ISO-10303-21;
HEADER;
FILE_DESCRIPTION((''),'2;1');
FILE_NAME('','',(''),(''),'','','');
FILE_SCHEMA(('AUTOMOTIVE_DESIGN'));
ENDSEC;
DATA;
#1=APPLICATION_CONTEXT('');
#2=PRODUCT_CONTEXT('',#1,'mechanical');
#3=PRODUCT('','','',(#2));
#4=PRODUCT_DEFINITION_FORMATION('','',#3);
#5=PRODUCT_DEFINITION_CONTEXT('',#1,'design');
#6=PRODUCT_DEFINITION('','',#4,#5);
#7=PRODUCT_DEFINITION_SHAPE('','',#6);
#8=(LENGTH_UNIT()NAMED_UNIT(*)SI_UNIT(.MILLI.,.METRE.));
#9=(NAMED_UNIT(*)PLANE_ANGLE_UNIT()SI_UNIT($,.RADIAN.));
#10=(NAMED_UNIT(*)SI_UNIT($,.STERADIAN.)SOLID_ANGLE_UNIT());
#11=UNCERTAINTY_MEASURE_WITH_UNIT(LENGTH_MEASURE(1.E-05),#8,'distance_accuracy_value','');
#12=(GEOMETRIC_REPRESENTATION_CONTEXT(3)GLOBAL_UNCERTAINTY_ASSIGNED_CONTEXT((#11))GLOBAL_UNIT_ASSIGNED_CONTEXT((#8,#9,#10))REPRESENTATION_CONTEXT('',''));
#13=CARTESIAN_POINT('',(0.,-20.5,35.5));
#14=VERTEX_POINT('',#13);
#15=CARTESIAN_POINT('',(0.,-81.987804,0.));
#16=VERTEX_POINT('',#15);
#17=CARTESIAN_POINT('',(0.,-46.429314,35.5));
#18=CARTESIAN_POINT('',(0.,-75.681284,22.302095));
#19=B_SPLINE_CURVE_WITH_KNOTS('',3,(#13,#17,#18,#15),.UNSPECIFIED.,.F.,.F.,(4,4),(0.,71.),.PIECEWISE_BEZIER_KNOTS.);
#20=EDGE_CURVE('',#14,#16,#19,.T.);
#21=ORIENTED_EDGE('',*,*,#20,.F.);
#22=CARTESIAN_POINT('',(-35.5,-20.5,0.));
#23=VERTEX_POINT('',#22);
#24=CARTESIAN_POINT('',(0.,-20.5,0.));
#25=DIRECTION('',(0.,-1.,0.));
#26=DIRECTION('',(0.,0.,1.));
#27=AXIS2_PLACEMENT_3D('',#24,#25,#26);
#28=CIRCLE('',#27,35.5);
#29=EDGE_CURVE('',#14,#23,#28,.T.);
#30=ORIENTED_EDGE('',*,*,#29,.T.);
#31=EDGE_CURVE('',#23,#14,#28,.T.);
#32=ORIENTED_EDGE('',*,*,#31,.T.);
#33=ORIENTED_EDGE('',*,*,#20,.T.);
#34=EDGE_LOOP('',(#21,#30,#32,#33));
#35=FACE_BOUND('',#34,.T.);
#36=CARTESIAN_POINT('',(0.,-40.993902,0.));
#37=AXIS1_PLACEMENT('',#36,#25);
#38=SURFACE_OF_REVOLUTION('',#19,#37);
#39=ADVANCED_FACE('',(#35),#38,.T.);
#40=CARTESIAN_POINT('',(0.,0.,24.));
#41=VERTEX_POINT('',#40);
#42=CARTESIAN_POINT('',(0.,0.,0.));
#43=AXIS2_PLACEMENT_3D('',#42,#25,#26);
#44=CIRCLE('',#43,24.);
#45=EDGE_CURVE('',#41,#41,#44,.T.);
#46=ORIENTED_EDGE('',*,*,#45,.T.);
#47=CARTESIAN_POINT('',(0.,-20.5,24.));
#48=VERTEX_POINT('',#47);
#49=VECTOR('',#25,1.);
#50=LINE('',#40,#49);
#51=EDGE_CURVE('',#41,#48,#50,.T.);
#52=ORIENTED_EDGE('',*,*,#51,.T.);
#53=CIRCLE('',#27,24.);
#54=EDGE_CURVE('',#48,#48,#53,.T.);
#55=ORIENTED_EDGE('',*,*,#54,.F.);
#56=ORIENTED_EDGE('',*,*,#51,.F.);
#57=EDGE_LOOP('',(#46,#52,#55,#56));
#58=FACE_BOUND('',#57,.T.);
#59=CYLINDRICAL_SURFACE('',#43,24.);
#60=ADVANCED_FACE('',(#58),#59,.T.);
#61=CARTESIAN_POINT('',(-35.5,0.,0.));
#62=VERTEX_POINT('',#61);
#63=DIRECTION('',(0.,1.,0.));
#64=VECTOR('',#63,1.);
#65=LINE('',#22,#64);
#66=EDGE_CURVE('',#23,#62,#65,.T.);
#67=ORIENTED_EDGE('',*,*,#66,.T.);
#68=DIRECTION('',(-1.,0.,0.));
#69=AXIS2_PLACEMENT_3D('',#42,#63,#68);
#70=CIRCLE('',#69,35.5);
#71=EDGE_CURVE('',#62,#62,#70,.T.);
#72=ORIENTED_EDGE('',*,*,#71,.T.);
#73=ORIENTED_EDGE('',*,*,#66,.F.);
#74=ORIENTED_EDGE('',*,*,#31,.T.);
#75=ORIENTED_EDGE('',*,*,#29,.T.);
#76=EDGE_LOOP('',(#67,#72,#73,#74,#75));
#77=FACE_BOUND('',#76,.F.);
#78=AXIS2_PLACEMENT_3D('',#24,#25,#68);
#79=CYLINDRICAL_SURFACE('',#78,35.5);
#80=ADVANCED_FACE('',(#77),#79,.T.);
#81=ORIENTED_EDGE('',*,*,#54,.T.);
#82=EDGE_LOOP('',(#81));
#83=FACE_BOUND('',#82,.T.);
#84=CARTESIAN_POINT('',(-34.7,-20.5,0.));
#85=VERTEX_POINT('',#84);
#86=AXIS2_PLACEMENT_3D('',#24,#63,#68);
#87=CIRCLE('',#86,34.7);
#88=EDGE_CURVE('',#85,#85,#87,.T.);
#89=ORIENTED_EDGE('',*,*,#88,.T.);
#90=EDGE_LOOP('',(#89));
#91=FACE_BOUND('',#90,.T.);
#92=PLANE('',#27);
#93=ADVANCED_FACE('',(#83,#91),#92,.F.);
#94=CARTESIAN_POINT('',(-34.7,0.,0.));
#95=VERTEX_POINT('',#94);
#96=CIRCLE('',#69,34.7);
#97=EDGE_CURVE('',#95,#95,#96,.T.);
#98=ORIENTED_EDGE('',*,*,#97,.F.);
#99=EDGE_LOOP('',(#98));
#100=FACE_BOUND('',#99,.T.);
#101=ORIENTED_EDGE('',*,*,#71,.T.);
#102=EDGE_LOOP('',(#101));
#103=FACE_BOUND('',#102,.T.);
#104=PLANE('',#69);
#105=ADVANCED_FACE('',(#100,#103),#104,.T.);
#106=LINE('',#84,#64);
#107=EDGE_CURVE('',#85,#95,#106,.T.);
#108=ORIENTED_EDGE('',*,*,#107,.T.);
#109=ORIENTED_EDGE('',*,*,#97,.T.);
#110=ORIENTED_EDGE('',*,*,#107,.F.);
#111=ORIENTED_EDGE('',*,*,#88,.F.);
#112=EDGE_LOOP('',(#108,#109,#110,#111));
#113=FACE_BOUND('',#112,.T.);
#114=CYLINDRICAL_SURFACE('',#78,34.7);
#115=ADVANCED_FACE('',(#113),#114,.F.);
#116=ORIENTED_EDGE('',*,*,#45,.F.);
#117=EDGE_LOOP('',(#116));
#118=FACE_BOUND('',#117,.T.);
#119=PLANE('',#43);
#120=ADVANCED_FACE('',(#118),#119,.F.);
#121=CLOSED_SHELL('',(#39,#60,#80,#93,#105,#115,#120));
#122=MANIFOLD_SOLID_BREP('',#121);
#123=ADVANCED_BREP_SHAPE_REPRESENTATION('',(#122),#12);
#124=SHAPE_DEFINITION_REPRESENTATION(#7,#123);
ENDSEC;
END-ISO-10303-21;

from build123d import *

# Parameters (mm, degrees)
F2_R     = 35.5
F2_R_2   = 34.7
F3_DEPTH = 20.5


with BuildPart() as f1:
    # F0 (on Right) → F1 (revolve)
    with BuildSketch(Plane.YZ):
        with BuildLine():
            Line((-81.987804, 0), (0, 0))
            Line((0, 0), (0, 24))
            Line((0, 24), (-20.5, 24))
            Line((-20.5, 24), (-20.5, 35.5))
            add(Edge.make_bspline(
                [(-20.5, 35.5), (-46.429314, 35.5), (-75.681284, 22.302095), (-81.987804, 0)],
                knots=[0, 0, 0, 0, 71, 71, 71, 71], degree=3))
        make_face()
    revolve(axis=Axis((0, -40.993902, 0), (0, -1, 0)))

    # F2 (on face) → F3 (join, through all)
    with BuildSketch(Plane(origin=(0, -20.5, 0), x_dir=(-1, 0, 0), z_dir=(0, 1, 0))):
        Circle(F2_R)
        Circle(F2_R_2, mode=Mode.SUBTRACT)
    extrude(amount=F3_DEPTH)


solid = f1.part
